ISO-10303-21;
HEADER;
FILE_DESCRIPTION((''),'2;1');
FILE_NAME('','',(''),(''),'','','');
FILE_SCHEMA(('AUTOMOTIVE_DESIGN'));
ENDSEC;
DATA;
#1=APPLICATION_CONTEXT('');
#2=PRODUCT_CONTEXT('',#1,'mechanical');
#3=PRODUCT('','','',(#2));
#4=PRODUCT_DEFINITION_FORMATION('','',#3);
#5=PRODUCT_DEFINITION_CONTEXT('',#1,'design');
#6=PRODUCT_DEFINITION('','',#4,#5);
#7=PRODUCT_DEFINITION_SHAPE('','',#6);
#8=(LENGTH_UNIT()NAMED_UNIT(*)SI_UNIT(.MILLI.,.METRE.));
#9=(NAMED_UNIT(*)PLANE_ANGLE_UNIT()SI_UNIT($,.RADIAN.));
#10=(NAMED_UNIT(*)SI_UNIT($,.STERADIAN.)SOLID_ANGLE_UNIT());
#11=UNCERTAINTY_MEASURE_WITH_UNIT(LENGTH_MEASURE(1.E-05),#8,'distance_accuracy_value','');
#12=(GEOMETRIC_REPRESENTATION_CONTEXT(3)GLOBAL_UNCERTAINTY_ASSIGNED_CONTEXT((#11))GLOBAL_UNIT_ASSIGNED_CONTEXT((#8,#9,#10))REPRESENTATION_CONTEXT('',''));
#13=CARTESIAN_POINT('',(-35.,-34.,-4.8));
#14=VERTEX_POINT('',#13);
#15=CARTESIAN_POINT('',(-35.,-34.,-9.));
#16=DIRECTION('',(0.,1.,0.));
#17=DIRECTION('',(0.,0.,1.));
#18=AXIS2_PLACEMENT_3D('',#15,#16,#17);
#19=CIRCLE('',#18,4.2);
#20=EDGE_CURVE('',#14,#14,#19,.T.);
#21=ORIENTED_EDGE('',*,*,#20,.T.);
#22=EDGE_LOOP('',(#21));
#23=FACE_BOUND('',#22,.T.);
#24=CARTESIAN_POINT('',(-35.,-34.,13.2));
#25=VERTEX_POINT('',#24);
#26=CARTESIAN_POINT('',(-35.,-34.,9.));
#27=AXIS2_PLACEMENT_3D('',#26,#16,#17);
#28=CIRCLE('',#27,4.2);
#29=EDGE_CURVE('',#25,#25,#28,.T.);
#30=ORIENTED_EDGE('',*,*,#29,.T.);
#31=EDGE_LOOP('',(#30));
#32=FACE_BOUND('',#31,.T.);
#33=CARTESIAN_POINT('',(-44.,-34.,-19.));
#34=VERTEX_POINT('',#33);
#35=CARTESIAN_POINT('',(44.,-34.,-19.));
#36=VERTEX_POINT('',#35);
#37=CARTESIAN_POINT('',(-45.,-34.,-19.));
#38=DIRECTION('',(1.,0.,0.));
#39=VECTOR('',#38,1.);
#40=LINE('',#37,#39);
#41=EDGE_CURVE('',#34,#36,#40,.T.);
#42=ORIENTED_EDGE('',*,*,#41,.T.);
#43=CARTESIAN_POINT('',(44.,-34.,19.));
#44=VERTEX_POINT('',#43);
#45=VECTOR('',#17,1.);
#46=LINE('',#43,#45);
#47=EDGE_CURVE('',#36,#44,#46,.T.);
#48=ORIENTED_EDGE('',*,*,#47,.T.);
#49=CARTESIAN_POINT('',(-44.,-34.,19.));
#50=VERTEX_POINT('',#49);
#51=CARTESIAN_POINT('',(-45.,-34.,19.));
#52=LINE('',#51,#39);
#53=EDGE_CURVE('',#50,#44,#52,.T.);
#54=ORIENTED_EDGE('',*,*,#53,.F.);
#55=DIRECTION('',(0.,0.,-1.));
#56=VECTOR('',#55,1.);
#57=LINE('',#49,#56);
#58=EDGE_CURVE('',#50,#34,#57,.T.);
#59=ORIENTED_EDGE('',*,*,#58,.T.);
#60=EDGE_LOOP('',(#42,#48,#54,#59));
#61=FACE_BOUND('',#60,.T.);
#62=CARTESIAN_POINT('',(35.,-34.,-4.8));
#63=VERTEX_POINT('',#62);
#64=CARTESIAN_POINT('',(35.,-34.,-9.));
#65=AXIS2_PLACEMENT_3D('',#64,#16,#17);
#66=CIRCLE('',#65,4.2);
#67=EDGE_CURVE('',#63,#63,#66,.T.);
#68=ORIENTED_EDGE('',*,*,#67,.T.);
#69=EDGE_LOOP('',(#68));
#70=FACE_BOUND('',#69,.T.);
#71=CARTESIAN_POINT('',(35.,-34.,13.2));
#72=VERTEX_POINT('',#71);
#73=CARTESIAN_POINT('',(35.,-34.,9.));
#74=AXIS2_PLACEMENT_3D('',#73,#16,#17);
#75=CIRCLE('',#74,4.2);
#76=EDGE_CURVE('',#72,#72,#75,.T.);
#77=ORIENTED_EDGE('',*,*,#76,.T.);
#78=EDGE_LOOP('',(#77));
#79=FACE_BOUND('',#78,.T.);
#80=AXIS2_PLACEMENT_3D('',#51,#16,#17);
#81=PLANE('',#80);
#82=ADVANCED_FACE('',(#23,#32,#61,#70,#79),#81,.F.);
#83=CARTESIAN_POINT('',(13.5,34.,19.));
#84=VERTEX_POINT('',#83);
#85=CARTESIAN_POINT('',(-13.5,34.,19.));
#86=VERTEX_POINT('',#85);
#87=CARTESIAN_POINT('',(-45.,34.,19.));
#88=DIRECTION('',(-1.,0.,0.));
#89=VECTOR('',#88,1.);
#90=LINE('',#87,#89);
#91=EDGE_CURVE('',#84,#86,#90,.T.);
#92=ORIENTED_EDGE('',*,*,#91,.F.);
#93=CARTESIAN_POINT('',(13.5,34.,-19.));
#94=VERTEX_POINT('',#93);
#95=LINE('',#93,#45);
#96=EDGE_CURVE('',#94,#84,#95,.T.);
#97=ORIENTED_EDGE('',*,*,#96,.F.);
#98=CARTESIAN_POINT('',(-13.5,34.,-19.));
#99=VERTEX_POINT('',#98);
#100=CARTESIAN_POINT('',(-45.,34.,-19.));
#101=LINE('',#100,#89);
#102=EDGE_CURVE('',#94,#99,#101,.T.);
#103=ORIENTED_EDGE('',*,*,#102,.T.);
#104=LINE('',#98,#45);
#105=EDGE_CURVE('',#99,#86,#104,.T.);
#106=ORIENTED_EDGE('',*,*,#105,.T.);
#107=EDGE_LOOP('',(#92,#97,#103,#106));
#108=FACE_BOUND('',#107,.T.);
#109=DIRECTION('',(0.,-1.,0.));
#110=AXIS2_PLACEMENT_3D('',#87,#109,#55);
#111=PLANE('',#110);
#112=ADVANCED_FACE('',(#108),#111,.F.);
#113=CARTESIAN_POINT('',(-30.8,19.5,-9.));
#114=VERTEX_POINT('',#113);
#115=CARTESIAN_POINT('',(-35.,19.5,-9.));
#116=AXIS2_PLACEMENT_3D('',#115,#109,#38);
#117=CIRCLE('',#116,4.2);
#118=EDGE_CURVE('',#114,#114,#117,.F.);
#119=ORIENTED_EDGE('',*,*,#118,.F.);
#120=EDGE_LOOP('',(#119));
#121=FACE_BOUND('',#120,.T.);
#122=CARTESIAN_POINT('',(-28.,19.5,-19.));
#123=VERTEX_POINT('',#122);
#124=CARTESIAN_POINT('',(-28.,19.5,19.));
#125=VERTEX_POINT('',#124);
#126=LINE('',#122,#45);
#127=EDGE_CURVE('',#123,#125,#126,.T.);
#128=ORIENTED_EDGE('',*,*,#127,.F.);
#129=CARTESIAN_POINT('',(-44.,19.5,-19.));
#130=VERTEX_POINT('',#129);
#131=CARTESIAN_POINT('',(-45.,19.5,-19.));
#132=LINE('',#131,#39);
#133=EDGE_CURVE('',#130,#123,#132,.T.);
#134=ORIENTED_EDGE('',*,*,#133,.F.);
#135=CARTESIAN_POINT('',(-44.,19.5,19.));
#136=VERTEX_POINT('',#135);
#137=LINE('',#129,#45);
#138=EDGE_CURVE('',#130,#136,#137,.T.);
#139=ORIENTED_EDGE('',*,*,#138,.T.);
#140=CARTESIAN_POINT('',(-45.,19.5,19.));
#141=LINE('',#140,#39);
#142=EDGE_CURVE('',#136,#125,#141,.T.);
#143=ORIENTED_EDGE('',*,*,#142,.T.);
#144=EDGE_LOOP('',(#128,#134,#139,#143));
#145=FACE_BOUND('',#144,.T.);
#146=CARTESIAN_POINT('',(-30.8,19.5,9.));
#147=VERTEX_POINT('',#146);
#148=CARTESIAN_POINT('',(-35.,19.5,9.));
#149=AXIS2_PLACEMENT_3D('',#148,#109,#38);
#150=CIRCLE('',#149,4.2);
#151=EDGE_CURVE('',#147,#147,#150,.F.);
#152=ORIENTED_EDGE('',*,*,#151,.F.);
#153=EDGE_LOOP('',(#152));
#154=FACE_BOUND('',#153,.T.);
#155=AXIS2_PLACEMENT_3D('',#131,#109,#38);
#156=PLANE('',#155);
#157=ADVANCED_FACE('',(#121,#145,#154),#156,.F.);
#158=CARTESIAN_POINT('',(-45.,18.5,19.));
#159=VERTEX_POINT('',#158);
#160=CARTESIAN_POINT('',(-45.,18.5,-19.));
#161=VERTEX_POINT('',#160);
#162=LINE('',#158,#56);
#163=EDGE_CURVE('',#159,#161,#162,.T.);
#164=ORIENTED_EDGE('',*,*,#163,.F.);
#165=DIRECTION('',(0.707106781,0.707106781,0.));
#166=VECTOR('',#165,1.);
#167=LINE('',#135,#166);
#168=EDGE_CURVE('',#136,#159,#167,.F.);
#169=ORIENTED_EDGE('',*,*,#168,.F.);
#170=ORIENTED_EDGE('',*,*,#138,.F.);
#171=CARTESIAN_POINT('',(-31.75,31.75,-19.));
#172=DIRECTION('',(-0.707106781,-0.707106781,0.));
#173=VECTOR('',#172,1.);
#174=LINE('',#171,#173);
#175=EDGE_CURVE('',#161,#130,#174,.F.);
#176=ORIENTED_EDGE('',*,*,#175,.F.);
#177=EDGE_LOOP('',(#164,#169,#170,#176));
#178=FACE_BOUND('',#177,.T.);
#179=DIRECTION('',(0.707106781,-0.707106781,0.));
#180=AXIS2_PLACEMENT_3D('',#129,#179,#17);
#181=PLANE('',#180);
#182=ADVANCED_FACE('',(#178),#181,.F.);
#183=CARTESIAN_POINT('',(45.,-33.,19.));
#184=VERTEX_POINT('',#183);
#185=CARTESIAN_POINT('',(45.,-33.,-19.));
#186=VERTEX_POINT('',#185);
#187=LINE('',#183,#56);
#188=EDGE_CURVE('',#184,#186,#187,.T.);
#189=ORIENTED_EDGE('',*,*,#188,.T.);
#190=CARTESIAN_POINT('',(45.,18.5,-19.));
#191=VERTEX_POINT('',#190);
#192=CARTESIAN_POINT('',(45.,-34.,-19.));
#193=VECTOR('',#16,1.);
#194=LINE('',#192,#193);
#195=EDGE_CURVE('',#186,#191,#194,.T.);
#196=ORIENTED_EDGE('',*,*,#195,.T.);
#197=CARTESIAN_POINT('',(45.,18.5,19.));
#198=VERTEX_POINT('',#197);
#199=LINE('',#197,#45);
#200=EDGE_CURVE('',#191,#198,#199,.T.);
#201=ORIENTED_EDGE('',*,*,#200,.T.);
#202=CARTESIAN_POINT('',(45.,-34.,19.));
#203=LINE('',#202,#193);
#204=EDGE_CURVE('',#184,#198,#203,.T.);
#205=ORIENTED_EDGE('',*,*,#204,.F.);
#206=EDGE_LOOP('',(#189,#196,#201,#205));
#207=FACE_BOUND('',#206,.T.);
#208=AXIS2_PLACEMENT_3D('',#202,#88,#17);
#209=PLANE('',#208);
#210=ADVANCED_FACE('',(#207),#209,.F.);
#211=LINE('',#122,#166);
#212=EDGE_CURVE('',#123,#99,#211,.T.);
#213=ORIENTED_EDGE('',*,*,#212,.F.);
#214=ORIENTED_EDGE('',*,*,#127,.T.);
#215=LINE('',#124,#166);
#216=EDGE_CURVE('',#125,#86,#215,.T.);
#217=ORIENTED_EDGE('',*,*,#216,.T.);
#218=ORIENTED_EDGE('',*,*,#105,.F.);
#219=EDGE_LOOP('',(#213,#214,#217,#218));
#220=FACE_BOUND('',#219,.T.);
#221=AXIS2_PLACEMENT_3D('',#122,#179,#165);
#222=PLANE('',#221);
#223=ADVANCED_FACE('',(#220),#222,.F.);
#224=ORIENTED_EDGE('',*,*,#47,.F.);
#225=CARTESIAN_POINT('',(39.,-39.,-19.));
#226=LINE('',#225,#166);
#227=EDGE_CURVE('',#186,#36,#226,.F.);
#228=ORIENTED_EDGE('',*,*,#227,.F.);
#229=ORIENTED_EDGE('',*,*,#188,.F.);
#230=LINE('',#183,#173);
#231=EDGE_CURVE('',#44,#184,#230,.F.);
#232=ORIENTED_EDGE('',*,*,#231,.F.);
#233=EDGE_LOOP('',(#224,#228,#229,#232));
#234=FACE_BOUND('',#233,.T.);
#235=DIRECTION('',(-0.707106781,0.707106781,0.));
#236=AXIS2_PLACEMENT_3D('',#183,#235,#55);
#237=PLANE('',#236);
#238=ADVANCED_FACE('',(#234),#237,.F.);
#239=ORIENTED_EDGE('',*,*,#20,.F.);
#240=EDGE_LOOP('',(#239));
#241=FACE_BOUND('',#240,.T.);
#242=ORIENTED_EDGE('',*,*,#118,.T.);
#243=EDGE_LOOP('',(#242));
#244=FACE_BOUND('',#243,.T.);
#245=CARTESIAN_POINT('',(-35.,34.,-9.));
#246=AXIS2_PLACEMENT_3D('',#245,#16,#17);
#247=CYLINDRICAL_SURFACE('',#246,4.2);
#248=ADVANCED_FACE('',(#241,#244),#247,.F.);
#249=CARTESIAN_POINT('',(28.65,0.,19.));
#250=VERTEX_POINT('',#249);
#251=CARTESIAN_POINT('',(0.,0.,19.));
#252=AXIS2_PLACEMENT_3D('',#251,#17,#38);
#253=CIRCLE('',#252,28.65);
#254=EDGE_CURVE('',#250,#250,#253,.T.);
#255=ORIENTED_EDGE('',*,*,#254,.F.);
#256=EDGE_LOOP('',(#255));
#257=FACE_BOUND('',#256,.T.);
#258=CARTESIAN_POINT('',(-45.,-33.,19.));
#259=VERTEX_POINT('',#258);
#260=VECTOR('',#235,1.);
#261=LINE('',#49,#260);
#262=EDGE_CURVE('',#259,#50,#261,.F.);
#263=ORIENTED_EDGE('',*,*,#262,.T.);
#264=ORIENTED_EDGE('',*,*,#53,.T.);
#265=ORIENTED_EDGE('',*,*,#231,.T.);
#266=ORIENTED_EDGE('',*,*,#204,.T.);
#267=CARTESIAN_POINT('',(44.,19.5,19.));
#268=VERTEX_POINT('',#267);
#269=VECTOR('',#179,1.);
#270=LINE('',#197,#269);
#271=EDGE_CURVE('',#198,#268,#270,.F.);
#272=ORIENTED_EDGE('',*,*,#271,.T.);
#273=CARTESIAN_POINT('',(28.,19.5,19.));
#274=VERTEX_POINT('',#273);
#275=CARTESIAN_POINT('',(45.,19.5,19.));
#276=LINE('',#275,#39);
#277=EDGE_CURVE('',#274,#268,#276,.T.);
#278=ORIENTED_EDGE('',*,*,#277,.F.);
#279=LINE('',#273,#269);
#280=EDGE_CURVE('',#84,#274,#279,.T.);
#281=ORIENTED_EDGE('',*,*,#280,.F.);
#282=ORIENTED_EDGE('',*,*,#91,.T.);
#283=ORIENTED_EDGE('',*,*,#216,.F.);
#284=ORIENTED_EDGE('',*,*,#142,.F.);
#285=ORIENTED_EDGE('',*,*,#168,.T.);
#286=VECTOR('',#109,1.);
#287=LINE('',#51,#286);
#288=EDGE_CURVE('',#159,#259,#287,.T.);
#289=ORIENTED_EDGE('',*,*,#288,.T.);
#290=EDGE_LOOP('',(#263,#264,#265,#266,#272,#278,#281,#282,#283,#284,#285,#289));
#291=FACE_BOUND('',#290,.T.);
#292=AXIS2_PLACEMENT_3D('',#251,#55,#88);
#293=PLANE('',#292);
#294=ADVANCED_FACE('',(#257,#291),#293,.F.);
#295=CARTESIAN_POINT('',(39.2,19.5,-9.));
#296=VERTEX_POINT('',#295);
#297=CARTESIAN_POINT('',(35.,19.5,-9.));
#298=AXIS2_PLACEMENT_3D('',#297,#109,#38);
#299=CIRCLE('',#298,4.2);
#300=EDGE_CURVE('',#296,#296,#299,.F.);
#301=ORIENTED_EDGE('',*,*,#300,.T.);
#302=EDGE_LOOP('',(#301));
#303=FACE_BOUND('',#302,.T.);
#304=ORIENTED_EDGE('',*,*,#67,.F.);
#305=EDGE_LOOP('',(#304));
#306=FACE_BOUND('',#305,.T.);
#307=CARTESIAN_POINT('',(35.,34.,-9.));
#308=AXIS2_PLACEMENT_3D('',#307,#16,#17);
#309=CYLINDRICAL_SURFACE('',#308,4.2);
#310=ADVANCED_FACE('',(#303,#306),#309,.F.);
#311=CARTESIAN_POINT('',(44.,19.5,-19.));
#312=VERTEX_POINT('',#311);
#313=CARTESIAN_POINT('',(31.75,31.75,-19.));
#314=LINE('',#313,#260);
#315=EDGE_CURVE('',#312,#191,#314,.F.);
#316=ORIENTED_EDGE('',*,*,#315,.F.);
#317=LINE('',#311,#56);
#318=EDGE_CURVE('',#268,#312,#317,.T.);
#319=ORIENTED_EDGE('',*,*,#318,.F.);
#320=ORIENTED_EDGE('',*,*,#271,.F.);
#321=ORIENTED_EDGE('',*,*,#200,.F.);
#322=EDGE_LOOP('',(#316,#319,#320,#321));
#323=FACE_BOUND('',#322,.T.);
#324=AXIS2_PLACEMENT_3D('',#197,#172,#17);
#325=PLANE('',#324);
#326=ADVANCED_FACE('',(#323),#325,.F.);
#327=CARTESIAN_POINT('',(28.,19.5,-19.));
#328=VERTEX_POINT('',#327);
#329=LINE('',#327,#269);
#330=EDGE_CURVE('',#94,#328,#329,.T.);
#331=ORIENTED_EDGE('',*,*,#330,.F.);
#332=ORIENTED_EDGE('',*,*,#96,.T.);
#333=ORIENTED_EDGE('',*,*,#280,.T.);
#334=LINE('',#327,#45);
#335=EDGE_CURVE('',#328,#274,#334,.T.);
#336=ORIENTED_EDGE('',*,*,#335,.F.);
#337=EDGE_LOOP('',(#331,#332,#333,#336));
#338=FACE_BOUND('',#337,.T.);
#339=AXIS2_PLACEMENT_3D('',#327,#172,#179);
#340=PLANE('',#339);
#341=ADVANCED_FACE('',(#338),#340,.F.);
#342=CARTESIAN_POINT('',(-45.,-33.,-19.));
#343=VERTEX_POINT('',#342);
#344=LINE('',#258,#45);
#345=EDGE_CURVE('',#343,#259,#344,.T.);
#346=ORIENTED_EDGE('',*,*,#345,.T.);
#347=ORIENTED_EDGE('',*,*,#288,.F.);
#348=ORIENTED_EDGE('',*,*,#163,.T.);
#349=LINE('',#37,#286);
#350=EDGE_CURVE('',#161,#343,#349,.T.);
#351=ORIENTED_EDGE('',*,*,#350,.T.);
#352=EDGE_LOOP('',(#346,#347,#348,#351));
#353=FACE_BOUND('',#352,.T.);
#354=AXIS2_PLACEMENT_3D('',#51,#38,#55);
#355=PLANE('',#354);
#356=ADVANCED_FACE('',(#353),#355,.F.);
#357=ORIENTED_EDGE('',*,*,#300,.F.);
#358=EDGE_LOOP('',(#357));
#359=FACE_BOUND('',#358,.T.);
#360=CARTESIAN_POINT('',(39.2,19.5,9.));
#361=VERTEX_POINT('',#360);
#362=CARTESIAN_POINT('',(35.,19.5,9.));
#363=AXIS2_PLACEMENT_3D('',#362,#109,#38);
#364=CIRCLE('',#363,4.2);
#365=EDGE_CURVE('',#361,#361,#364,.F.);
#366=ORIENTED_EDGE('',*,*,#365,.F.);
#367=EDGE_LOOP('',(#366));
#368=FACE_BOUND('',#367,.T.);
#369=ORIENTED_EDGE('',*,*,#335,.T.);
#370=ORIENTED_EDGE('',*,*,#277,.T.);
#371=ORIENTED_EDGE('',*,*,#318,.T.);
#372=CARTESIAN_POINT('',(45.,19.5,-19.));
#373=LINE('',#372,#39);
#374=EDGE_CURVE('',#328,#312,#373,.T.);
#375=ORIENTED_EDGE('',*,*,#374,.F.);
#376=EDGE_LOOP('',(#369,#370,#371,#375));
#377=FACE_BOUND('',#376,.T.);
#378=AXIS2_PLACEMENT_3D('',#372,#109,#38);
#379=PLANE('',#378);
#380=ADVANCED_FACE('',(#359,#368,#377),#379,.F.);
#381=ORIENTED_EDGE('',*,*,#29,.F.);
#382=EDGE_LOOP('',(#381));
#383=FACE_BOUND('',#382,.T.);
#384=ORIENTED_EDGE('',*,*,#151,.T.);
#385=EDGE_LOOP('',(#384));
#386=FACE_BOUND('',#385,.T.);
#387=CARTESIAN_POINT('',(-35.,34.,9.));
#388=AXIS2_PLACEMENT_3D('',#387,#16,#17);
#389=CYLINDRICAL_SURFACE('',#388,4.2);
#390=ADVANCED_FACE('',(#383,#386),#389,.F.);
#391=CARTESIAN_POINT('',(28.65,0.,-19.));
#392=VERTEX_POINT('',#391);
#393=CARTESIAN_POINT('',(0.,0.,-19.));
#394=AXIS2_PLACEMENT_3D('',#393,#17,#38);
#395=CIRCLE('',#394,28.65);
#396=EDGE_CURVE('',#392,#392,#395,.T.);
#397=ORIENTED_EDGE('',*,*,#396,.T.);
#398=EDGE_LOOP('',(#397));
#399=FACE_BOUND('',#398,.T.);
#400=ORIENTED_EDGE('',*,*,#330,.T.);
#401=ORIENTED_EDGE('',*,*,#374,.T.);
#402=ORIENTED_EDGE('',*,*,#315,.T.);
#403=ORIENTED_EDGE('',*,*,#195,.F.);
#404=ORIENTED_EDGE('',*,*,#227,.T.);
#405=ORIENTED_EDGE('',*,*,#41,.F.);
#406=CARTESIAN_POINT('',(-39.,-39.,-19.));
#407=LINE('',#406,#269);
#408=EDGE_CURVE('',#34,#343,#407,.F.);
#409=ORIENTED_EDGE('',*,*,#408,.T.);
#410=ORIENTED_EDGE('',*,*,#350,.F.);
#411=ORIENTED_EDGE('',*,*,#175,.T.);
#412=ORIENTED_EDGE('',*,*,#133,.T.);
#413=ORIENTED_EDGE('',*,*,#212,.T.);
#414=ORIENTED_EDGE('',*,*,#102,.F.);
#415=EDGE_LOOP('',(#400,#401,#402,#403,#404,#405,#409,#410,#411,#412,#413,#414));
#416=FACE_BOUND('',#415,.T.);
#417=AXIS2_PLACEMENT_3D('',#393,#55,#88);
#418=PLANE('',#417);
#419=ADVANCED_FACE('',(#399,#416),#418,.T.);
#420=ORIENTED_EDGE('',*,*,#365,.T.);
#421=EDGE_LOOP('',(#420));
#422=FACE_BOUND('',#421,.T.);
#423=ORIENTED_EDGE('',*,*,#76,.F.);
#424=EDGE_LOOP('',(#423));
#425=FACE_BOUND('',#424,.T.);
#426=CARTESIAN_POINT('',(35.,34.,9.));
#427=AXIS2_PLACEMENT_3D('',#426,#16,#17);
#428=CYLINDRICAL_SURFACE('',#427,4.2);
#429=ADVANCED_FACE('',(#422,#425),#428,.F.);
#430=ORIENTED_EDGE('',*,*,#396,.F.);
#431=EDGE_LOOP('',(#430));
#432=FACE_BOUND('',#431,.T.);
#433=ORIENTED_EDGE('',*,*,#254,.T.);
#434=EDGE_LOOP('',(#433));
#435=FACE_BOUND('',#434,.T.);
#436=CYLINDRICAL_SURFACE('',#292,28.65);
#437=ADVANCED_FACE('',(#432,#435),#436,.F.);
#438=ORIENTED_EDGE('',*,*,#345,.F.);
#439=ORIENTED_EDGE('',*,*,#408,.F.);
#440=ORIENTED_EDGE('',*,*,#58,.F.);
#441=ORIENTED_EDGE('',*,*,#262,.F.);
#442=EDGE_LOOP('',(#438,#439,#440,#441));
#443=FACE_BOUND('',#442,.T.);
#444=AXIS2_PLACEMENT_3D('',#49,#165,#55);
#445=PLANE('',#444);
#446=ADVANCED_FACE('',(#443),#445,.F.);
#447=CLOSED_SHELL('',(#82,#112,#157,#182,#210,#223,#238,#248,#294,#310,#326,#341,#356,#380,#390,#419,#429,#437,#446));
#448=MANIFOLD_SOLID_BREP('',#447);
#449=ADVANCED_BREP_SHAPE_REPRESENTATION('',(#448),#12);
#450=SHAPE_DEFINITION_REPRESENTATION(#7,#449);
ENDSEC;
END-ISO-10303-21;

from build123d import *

# Parameters (mm, degrees)
SKETCH1_W            = 90
SKETCH1_H            = 68
SKETCH1_R            = 28.65
BOSS_EXTRUDE1_DEPTH  = 19
M8_CLEARANCE_HOLE1_D = 8.4
CUT_EXTRUDE2_DEPTH   = 39
CHAMFER1_SIZE        = 1


with BuildPart() as part:
    # Sketch1 → Boss-Extrude1 (new body, symmetric)
    with BuildSketch(Plane.XY):
        Rectangle(SKETCH1_W, SKETCH1_H)
        Circle(SKETCH1_R, mode=Mode.SUBTRACT)
    extrude(amount=BOSS_EXTRUDE1_DEPTH, both=True)

    # M8 Clearance Hole1 (through all)
    with Locations(Plane(origin=(0, 34, 0), x_dir=(1, 0, 0), z_dir=(0, 1, 0))):
        with Locations((-35, 9), (-35, -9), (35, -9), (35, 9)):
            Hole(M8_CLEARANCE_HOLE1_D / 2)

    # Sketch3 → Cut-Extrude2 (cut, through all)
    with BuildSketch(Plane.XY.offset(19)):
        Polygon((-45, 19.5), (-28, 19.5), (-13.5, 34), (-45, 34), align=None)
        Polygon((45, 19.5), (28, 19.5), (13.5, 34), (45, 34), align=None)
    extrude(amount=-CUT_EXTRUDE2_DEPTH, mode=Mode.SUBTRACT)

    # Chamfer1
    chamfer1_edges = [part.edges().sort_by_distance(p)[0] for p in [
        (-45, 19.5, 0),
        (45, 19.5, 0),
        (45, -34, 0),
        (-45, -34, 0),
    ]]
    chamfer(chamfer1_edges, length=CHAMFER1_SIZE)


solid = part.part
